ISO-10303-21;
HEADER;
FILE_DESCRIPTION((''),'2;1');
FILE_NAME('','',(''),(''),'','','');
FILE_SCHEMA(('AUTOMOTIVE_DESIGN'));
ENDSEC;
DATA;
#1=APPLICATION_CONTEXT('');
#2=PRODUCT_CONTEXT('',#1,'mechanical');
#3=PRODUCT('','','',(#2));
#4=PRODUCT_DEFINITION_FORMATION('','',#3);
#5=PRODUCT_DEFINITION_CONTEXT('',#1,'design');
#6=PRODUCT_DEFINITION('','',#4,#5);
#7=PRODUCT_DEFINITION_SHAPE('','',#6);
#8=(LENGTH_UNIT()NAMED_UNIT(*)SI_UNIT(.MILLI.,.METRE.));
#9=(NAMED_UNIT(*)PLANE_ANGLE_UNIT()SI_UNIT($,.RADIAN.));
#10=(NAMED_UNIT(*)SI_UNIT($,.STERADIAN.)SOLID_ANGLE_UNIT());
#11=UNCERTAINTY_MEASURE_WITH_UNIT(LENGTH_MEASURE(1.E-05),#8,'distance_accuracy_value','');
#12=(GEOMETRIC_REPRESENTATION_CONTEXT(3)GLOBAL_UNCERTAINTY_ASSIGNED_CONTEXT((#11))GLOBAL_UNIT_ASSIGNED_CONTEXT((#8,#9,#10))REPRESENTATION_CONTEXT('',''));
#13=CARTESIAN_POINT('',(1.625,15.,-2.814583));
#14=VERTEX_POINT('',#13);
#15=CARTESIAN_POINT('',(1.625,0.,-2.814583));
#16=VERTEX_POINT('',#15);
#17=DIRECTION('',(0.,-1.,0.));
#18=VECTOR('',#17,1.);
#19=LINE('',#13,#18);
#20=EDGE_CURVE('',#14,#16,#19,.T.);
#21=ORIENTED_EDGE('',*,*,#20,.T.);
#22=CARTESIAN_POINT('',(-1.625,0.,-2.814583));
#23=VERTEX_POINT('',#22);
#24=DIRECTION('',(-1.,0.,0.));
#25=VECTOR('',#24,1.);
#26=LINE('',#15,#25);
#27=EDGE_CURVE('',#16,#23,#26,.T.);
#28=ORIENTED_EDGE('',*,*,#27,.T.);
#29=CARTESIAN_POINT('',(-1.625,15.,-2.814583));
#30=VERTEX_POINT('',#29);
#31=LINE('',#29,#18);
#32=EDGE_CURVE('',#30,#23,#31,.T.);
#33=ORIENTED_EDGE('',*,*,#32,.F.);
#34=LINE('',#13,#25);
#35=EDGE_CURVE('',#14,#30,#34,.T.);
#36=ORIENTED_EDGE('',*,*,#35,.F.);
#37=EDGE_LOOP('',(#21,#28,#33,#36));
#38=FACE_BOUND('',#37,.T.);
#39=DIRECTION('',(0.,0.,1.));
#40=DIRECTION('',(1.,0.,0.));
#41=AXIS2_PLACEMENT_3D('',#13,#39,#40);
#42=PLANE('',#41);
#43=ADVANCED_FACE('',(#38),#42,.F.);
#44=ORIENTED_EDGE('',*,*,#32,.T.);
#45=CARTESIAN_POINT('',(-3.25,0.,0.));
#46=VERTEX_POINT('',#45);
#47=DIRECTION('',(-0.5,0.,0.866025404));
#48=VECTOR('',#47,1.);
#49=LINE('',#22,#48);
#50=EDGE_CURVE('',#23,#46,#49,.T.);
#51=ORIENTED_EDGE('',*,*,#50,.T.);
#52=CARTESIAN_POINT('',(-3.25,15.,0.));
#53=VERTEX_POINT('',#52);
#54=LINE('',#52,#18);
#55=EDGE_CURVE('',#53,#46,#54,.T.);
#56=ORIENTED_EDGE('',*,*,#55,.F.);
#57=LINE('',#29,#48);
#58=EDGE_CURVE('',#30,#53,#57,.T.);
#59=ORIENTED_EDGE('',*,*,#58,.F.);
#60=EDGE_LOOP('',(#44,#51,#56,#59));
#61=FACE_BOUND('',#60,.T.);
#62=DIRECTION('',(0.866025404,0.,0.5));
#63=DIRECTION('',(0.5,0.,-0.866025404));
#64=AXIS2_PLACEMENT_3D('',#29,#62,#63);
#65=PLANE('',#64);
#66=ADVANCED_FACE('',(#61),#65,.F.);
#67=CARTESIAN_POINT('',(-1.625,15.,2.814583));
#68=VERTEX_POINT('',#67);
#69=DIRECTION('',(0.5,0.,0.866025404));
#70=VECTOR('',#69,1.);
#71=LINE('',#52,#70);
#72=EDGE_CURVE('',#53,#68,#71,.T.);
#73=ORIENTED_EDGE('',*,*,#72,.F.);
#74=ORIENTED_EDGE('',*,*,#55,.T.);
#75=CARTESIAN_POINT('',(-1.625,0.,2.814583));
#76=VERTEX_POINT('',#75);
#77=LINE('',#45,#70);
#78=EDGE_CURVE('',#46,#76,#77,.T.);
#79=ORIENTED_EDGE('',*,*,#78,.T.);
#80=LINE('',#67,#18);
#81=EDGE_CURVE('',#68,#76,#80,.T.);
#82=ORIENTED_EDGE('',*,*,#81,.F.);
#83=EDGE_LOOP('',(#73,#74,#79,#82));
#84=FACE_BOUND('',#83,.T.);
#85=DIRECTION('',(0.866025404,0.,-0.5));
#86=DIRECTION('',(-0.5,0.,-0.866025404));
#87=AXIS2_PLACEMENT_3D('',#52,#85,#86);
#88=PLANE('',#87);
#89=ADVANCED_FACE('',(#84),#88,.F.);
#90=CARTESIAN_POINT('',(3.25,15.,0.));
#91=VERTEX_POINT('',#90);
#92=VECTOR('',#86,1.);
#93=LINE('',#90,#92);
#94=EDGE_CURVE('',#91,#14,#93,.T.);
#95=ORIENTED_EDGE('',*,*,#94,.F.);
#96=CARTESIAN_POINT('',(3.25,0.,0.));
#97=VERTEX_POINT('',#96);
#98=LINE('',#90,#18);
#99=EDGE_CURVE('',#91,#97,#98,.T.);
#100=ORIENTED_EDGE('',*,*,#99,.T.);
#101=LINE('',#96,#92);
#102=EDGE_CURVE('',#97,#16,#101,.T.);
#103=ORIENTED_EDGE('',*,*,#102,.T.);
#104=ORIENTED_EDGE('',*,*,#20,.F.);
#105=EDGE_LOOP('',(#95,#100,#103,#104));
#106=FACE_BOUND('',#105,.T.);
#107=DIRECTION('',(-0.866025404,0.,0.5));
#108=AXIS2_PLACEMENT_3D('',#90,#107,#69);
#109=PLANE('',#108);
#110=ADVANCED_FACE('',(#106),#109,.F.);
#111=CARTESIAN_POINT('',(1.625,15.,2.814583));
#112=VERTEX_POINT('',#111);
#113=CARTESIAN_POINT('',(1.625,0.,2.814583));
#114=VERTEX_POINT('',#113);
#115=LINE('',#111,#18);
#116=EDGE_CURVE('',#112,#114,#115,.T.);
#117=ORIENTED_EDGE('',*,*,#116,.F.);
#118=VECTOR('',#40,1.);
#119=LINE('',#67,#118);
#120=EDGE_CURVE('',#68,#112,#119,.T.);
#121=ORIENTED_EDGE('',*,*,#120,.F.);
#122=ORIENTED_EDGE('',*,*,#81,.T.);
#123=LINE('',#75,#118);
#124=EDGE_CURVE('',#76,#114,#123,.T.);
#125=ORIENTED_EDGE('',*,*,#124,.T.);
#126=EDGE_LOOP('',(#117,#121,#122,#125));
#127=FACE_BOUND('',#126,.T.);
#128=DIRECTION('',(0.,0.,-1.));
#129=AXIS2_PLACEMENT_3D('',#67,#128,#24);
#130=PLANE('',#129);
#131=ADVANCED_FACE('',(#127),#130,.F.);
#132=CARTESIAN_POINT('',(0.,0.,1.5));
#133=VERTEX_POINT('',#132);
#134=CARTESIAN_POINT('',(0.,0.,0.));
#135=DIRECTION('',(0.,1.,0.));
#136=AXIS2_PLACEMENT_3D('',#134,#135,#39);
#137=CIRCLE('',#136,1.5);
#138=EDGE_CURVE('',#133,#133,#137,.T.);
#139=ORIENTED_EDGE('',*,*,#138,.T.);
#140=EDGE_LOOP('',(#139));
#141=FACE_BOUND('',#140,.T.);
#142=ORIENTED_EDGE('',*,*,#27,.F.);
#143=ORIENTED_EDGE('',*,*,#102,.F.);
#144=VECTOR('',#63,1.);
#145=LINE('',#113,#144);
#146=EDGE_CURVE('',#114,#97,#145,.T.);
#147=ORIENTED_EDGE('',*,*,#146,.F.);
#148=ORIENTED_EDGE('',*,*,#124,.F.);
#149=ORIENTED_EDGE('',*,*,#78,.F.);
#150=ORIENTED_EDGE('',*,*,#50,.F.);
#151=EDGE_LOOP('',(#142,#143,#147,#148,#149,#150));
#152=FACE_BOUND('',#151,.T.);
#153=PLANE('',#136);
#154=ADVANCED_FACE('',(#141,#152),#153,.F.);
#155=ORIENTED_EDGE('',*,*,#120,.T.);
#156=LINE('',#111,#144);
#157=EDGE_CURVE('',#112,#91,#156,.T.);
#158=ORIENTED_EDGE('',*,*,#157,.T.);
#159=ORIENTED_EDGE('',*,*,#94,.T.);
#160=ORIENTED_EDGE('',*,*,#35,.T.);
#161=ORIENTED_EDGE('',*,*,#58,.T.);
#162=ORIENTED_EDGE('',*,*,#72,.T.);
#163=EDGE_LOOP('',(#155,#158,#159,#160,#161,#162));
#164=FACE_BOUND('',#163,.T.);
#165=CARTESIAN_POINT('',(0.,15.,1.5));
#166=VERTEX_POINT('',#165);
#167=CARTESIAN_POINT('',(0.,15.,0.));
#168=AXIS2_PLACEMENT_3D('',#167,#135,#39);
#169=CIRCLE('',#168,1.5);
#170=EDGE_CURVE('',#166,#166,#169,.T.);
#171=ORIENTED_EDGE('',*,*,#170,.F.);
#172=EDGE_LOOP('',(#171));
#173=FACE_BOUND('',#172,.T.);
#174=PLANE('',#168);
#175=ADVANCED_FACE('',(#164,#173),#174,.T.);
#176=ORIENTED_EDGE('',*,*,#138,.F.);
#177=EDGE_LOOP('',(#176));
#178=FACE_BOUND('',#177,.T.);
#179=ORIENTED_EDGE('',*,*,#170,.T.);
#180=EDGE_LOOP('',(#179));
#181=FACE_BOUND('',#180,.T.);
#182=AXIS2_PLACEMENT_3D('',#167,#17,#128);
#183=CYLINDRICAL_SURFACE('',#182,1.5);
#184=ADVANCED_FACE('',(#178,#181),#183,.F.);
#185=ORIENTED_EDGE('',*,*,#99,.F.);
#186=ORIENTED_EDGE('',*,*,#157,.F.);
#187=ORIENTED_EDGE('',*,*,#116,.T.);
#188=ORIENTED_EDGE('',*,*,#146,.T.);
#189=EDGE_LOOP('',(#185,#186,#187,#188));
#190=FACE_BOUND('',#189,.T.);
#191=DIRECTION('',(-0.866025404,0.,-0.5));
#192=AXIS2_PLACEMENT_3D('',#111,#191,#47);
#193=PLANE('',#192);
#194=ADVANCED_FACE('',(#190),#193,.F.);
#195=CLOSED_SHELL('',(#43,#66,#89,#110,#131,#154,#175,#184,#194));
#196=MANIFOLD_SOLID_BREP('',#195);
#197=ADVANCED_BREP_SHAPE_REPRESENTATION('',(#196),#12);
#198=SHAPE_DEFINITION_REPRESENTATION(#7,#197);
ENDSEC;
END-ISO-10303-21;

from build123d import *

# Parameters (mm, degrees)
SKETCH_2_R      = 1.5
EXTRUDE_1_DEPTH = 15


with BuildPart() as part:
    # 草图2 → 凸台-拉伸1 (new body)
    with BuildSketch(Plane(origin=(0, 0, 0), x_dir=(1, 0, 0), z_dir=(0, 1, 0))):
        Polygon((-1.625, 2.814582562), (-3.25, 0), (-1.625, -2.814582562), (1.625, -2.814582562), (3.25, 0), (1.625, 2.814582562), align=None)
        Circle(SKETCH_2_R, mode=Mode.SUBTRACT)
    extrude(amount=EXTRUDE_1_DEPTH)


solid = part.part
